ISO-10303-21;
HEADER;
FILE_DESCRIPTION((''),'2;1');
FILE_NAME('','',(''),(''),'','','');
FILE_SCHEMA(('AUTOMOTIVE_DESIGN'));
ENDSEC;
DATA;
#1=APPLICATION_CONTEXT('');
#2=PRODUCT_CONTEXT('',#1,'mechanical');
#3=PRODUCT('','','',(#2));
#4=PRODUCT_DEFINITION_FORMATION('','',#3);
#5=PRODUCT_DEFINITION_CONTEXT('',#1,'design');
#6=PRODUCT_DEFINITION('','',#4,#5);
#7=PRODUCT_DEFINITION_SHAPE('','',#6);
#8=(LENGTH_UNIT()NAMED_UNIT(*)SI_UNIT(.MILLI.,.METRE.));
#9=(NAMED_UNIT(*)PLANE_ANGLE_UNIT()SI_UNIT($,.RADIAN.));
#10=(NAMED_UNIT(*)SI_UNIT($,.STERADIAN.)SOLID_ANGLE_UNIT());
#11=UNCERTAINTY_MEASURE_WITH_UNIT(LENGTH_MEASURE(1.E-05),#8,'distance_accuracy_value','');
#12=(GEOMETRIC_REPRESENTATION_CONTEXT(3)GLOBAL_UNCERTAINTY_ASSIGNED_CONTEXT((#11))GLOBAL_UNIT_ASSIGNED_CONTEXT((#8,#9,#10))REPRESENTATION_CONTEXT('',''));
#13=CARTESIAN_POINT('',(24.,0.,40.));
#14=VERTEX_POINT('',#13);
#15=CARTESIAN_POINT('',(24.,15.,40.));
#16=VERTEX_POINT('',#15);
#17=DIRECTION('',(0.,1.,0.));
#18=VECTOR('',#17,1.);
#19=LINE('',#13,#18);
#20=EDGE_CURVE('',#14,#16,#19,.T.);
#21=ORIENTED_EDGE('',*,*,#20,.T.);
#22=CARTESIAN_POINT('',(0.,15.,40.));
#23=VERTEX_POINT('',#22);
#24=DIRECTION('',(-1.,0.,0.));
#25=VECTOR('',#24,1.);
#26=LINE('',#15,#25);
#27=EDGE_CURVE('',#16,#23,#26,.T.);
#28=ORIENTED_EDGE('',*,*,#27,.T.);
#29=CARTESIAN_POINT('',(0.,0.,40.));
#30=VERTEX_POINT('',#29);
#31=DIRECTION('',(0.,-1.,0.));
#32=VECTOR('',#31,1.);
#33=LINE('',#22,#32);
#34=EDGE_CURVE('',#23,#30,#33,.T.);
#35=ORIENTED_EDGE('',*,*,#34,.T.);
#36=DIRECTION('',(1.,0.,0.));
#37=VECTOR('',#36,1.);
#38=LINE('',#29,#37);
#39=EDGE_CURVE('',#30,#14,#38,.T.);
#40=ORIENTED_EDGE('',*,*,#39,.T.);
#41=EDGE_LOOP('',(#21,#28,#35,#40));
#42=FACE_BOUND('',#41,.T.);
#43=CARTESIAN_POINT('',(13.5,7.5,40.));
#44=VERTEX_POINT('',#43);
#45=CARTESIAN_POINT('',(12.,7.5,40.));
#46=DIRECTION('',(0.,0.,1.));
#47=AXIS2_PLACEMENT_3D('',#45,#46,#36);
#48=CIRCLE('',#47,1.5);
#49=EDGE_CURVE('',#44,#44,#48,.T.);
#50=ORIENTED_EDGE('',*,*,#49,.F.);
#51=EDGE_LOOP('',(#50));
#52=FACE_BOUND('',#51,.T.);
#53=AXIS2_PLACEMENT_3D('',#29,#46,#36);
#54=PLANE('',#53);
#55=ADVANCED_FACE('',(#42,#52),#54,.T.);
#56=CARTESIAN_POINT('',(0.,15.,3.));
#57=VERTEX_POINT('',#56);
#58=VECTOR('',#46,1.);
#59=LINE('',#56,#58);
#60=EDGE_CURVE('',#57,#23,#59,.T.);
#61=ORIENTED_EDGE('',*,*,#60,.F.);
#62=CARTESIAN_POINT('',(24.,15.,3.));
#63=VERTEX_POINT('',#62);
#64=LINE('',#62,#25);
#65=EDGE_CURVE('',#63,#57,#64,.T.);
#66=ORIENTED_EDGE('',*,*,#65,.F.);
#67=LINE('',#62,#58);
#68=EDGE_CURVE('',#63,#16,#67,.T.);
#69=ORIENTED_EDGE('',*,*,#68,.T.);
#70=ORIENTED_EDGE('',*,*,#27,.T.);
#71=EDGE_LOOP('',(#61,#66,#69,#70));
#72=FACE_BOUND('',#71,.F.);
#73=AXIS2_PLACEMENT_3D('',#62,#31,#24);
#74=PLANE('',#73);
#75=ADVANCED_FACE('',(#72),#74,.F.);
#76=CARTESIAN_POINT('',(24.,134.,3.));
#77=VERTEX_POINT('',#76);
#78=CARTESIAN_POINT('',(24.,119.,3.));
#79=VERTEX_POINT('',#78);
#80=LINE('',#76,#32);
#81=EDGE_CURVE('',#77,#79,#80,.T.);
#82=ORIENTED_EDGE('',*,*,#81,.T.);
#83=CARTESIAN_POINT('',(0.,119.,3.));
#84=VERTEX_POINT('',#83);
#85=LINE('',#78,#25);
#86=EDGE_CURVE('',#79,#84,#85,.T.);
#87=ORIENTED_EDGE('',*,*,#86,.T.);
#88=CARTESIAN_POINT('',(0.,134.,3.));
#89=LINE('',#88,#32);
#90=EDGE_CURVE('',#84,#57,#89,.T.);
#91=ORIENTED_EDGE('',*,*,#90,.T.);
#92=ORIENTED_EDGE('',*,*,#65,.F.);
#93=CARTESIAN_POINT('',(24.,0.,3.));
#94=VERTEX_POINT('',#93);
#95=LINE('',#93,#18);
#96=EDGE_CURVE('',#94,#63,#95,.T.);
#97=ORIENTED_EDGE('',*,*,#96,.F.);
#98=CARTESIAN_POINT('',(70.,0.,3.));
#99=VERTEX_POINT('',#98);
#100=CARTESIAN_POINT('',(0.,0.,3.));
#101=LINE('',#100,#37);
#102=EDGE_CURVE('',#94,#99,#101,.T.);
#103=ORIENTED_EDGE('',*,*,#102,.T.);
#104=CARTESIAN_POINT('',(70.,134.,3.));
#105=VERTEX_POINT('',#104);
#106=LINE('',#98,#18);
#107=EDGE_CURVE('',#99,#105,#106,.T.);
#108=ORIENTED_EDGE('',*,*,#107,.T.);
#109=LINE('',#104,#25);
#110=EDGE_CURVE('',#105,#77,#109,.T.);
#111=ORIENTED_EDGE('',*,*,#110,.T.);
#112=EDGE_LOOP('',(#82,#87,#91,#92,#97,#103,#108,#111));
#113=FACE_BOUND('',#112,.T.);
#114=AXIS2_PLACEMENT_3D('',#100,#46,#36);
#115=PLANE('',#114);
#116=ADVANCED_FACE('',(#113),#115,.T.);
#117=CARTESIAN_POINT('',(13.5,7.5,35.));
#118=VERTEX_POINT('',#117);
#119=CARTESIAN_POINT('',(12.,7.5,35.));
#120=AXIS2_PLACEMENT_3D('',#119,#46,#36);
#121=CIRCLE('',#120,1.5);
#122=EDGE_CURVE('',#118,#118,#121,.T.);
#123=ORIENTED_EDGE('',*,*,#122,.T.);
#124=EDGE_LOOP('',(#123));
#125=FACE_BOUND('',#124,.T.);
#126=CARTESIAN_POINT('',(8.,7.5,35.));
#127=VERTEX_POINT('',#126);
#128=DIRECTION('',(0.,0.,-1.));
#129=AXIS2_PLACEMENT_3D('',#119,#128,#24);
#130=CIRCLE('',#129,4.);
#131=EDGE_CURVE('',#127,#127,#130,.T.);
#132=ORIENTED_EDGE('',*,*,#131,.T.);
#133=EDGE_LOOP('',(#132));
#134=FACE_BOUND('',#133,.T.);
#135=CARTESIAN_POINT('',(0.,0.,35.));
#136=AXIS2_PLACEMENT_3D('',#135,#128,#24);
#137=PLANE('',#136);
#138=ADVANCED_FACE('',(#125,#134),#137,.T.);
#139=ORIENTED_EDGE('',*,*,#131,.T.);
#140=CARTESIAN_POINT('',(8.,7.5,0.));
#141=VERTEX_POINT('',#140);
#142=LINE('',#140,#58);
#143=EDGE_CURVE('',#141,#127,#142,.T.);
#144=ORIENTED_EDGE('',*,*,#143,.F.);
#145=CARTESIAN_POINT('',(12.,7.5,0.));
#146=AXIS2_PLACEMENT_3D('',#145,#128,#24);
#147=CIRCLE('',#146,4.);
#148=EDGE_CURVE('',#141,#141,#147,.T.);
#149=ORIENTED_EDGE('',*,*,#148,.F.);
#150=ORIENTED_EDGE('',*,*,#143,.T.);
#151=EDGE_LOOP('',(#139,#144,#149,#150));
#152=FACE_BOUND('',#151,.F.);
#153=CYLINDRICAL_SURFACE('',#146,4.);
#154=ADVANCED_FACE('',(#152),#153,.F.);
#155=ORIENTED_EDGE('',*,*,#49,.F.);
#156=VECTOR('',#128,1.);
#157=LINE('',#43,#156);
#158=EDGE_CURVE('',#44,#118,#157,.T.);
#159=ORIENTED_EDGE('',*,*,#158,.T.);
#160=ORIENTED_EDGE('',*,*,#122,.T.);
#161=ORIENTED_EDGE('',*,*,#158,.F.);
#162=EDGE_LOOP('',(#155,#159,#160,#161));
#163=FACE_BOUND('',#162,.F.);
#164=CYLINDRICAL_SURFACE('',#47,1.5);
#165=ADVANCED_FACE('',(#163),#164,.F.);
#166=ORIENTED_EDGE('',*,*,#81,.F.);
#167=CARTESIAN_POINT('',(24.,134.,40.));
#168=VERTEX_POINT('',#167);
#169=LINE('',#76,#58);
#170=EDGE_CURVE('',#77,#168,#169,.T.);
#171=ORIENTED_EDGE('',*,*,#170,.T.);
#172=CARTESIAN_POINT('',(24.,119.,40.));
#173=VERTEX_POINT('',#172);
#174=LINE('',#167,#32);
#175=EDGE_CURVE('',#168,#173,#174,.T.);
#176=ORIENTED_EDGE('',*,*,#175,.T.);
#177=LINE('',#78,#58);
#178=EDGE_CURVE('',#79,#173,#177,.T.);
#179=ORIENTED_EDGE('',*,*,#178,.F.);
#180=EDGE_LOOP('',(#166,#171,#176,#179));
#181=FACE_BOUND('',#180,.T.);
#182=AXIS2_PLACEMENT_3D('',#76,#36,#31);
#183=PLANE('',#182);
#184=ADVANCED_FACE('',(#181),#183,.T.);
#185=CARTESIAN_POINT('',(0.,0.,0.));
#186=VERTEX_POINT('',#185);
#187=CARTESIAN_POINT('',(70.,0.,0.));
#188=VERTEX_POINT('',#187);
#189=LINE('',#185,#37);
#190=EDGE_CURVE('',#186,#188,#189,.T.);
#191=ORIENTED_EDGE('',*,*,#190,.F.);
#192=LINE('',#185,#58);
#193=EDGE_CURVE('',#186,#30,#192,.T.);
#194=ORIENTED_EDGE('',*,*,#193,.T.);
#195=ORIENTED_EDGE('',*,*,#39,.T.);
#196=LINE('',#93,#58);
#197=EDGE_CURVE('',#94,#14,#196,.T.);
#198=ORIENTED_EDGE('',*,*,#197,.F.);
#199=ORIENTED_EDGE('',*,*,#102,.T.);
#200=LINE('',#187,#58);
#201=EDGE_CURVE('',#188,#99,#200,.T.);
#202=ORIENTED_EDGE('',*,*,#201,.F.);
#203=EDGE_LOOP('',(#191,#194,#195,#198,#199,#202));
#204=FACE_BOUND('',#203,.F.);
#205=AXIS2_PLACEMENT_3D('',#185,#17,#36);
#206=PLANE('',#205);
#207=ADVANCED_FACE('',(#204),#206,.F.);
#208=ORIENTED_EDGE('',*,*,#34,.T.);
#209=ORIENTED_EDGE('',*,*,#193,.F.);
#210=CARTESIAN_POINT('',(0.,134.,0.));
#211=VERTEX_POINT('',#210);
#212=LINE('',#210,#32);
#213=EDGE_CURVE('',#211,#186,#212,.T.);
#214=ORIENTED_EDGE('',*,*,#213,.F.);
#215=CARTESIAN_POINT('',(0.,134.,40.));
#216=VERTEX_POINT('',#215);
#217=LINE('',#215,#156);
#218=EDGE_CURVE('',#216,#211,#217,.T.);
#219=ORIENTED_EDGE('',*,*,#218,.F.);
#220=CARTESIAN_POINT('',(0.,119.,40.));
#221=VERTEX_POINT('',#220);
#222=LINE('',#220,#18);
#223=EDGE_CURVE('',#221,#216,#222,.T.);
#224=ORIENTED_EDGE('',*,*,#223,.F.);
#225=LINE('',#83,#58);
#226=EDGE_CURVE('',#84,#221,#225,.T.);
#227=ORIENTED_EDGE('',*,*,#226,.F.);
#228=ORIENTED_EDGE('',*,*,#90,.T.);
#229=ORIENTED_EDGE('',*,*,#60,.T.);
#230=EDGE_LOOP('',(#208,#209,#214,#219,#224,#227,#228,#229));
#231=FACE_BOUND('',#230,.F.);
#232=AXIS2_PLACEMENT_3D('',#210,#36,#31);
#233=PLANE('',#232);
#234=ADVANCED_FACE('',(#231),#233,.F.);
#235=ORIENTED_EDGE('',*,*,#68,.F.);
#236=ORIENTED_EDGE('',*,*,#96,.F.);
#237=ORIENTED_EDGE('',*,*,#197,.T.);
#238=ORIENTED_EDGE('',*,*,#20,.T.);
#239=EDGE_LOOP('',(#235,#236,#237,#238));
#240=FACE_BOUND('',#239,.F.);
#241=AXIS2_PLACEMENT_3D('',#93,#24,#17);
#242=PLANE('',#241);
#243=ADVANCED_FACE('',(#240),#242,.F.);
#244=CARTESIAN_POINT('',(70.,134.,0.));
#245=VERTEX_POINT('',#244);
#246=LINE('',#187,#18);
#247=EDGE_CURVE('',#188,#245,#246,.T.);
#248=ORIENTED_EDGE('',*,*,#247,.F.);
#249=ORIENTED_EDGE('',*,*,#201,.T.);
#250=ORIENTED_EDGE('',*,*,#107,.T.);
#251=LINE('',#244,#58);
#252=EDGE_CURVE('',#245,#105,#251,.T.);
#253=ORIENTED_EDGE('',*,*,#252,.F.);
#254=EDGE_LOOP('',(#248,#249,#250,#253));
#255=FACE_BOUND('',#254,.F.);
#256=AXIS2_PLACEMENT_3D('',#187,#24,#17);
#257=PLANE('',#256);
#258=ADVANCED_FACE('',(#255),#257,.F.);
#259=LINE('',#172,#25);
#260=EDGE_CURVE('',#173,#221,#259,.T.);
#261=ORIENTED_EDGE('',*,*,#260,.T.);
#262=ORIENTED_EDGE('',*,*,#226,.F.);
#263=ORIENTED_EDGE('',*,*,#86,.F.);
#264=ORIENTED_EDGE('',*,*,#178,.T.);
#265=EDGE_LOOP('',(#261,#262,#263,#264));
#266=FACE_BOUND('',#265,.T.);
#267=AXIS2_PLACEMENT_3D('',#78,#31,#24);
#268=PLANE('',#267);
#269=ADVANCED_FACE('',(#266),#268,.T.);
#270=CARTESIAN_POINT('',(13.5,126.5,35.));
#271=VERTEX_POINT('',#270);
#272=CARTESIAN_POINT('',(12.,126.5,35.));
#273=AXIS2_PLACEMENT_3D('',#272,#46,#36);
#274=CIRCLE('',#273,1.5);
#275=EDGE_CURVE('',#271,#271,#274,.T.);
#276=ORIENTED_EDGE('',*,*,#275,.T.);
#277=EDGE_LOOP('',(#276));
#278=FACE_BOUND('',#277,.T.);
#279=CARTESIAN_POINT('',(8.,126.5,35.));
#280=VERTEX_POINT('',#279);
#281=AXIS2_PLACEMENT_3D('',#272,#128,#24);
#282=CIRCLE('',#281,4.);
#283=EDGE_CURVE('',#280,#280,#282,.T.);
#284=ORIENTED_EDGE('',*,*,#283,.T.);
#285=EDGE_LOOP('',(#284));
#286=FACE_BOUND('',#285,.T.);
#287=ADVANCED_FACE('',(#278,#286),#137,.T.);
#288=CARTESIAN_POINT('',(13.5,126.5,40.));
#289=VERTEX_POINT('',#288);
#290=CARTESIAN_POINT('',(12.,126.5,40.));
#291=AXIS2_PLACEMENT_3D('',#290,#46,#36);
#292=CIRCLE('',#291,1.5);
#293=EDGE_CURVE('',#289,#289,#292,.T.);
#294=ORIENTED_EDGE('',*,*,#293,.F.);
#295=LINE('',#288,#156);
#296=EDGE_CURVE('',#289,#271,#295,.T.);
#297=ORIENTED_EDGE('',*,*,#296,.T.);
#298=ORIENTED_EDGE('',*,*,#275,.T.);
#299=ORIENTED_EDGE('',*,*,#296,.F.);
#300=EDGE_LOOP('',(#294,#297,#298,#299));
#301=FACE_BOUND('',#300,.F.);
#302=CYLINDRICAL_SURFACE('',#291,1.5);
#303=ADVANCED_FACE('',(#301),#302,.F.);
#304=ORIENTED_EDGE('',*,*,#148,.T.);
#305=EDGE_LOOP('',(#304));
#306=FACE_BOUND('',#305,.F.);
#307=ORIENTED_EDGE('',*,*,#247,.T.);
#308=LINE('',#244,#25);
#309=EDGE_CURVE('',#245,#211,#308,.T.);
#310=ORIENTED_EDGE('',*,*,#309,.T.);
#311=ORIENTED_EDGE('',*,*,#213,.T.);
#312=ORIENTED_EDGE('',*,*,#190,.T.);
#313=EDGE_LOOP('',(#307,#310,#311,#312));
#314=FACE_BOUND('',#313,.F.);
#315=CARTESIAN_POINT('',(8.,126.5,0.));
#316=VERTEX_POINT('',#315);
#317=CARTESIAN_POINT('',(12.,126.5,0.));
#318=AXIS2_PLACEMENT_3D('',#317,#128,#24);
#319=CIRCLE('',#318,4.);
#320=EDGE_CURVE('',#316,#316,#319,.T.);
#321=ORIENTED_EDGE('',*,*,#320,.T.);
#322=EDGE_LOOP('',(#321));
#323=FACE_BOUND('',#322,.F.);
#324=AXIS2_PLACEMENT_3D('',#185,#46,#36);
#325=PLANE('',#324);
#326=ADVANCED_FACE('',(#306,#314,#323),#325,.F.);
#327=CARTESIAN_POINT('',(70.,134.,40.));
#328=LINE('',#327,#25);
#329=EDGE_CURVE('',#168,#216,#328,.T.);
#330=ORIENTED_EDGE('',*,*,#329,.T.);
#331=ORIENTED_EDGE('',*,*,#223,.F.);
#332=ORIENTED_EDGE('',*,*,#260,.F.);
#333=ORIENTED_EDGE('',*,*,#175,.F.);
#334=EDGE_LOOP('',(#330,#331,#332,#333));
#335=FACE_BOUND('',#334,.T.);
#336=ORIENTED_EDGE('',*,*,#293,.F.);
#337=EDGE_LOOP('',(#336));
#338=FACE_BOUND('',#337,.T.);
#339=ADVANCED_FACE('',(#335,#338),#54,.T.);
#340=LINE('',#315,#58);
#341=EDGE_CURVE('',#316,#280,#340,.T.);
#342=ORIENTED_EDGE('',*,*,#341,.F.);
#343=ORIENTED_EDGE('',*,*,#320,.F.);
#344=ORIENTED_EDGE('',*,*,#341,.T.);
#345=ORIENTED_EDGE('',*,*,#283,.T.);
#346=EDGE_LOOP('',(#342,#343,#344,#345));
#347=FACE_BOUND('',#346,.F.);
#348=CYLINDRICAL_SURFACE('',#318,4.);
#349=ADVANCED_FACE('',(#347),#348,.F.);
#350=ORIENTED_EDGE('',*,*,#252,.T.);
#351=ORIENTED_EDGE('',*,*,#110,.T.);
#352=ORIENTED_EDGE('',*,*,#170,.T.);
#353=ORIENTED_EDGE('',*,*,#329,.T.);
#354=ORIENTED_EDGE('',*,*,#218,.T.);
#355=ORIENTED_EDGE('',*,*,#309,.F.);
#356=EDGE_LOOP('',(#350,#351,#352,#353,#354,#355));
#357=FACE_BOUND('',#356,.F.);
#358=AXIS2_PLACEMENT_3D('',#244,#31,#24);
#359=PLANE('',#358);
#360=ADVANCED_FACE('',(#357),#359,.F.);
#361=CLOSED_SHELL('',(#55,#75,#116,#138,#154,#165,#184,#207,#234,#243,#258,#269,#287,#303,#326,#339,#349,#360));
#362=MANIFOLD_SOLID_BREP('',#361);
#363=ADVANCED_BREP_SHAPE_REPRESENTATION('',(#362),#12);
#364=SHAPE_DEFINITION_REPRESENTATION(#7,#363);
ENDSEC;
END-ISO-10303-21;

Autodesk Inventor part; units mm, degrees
ref_plane "YZ Plane" through (0, 0, 0) normal (1, 0, 0) x (0, 1, 0)
ref_plane "XZ Plane" through (0, 0, 0) normal (0, 1, 0) x (-1, 0, 0)
ref_plane "XY Plane" through (0, 0, 0) normal (0, 0, 1) x (1, 0, 0)
sketch "Sketch1" plane through (0, 0, 0) normal (0, 0, 1) x (1, 0, 0)
  line L0 (0, 0) -> (70, 0)
  line L1 (70, 0) -> (70, 134)
  line L2 (70, 134) -> (0, 134)
  line L3 (0, 134) -> (0, 0)
  dimension "d0" = 70
  dimension "d1" = 134
extrude "Extrusion1" add sketch "Sketch1" along normal blind 3
sketch "Sketch2" plane through (0, 0, 3) normal (0, 0, 1) x (1, 0, 0)
  line L0 (70, 134) -> (0, 134) projected
  line L1 (0, 134) -> (24, 134)
  line L2 (24, 134) -> (24, 119)
  line L3 (24, 119) -> (0, 119)
  line L4 (0, 119) -> (0, 134)
  line L5 (0, 0) -> (24, 0)
  line L6 (24, 0) -> (24, 15)
  line L7 (24, 15) -> (0, 15)
  line L8 (0, 15) -> (0, 0)
  dimension "d4" = 24
  dimension "d5" = 15
  dimension "d6" = 24
  dimension "d7" = 15
extrude "Extrusion2" add sketch "Sketch2" along normal blind 37
sketch "Sketch3" plane through (0, 0, 40) normal (0, 0, 1) x (1, 0, 0)
  line L0 (24, 134) -> (0, 134) construction
  line L1 (0, 134) -> (0, 119) construction
  line L2 (0, 119) -> (24, 119) construction
  line L3 (24, 119) -> (24, 134) construction
  line L4 (0, 0) -> (24, 0) construction
  line L5 (24, 0) -> (24, 15) construction
  line L6 (24, 15) -> (0, 15) construction
  line L7 (0, 15) -> (0, 0) construction
  circle A0 centre (12, 126.5) radius 1.5
  circle A1 centre (12, 7.5) radius 1.5
  point P0 (24, 126.5)
  point P1 (24, 7.5)
  point P2 (12, 15)
  point P3 (12, 119)
  dimension "d10" = 3
  dimension "d11" = 3
extrude "Extrusion3" cut sketch "Sketch3" against normal through all
sketch "Sketch4" plane through (0, 0, 0) normal (0, 0, -1) x (-1, 0, 0)
  circle A0 centre (-12, 126.5) radius 1.5 projected
  circle A1 centre (-12, 7.5) radius 1.5 projected
  circle A2 centre (-12, 126.5) radius 4
  circle A3 centre (-12, 7.5) radius 4
  point P0 (0, 0)
  dimension "d14" = 8
  dimension "d15" = 8
extrude "Extrusion4" cut sketch "Sketch4" against normal blind 35 contours A0 | A1 | A2 | A3
properties part number "BP009" material "ABS Plastic"
